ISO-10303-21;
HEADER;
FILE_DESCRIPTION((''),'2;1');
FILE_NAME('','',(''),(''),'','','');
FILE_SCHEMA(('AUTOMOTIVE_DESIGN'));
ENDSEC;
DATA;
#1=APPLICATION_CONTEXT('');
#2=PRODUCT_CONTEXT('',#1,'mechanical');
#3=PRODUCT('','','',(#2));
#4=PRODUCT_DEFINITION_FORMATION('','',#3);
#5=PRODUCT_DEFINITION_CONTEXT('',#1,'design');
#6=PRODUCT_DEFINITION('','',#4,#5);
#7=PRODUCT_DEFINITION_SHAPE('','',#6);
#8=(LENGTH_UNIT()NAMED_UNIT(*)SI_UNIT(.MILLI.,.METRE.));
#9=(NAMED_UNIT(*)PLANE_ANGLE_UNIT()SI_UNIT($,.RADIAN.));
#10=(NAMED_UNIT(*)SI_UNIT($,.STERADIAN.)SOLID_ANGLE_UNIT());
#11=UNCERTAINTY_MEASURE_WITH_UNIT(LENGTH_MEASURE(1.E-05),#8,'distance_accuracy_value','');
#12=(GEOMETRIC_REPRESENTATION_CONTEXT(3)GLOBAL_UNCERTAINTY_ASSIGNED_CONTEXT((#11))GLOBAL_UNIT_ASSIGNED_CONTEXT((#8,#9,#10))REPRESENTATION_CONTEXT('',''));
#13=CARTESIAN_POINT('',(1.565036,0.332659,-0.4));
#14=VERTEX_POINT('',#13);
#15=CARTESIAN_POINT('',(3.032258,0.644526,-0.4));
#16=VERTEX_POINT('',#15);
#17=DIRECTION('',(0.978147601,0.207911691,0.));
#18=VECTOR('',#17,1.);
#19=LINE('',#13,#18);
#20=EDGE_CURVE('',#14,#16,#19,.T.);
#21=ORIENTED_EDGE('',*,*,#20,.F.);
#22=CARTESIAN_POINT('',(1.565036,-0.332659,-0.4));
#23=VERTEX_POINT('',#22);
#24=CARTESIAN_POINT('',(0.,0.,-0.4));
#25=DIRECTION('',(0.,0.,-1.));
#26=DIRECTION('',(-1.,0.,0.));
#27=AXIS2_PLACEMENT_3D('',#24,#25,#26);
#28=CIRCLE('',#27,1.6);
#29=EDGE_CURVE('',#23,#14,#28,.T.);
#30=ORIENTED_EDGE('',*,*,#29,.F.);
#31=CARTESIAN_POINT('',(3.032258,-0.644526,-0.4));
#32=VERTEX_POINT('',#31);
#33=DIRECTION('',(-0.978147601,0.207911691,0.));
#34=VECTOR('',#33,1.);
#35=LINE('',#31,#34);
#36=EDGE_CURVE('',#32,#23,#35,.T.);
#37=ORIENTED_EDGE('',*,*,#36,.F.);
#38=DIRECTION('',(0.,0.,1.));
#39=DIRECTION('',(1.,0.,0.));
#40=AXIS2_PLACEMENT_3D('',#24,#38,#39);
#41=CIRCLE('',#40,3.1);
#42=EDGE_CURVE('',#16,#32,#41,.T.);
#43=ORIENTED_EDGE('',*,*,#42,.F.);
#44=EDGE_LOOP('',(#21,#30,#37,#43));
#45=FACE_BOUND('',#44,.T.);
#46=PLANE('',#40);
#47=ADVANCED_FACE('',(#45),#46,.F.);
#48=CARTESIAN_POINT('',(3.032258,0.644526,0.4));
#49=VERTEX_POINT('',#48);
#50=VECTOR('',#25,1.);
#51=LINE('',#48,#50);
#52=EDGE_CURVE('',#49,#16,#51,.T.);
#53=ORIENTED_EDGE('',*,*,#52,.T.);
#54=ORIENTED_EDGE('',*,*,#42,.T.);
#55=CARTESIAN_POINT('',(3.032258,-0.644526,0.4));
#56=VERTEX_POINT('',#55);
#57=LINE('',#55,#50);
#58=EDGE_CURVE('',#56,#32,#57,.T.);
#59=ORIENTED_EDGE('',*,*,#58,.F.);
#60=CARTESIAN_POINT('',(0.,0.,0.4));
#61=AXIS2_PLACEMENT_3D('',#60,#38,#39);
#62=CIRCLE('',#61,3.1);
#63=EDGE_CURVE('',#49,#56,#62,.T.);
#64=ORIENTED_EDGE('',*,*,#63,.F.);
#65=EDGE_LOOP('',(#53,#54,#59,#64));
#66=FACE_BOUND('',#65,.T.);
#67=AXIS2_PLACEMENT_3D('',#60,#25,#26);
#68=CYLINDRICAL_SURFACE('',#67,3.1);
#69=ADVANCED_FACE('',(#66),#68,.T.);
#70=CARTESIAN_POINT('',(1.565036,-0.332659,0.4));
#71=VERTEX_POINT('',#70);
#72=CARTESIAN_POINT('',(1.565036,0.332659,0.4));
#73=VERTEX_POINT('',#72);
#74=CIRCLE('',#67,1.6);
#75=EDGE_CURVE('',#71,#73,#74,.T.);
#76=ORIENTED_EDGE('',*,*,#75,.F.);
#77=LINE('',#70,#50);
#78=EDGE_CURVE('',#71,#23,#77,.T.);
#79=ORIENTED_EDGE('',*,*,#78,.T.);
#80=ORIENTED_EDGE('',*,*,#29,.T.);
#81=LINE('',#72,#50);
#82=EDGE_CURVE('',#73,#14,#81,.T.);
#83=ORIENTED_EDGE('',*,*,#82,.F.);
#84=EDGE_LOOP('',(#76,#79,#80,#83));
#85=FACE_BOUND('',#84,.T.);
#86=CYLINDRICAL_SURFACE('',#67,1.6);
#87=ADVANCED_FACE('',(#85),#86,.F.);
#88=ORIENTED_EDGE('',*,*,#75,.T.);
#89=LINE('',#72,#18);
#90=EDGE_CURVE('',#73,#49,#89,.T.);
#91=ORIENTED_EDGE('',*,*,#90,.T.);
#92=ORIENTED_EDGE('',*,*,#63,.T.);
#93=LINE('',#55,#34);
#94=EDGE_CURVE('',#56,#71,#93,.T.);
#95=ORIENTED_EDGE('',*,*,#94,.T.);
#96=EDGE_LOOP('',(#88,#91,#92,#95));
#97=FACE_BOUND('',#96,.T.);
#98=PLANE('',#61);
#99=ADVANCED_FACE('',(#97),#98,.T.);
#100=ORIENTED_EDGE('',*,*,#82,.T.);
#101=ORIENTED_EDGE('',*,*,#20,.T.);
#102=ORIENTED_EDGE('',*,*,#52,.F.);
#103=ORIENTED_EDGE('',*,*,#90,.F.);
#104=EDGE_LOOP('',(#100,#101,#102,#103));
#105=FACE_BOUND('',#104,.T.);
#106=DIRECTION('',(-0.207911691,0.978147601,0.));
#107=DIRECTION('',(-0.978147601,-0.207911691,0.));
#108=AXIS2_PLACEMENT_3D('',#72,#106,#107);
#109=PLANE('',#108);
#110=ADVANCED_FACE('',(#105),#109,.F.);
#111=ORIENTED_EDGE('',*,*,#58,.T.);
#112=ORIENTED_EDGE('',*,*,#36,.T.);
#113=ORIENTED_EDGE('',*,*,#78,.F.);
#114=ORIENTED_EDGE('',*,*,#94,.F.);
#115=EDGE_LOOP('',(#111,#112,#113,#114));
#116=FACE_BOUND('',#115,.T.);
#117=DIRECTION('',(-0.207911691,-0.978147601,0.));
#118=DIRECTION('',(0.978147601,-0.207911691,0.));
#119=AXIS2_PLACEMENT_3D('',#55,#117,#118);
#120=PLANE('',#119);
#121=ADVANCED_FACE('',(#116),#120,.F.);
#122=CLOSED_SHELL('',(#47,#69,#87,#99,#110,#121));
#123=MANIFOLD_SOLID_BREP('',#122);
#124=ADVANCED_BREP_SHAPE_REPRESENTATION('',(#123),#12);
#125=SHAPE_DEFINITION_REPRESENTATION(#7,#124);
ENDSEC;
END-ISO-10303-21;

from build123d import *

# Parameters (mm, degrees)
EXTRUDE_1_DEPTH = 0.4


with BuildPart() as part:
    # 草图1 → 凸台-拉伸1 (new, symmetric)
    with BuildSketch(Plane.XY):
        with BuildLine():
            Line((3.032257562, -0.644526242), (1.565036161, -0.332658705))
            ThreePointArc((1.565036161, -0.332658705), (-1.6, 0), (1.565036161, 0.332658705))
            Line((1.565036161, 0.332658705), (3.032257562, 0.644526242))
            ThreePointArc((3.032257562, 0.644526242), (-3.1, 0), (3.032257562, -0.644526242))
        make_face()
    extrude(amount=EXTRUDE_1_DEPTH, both=True)


solid = part.part
